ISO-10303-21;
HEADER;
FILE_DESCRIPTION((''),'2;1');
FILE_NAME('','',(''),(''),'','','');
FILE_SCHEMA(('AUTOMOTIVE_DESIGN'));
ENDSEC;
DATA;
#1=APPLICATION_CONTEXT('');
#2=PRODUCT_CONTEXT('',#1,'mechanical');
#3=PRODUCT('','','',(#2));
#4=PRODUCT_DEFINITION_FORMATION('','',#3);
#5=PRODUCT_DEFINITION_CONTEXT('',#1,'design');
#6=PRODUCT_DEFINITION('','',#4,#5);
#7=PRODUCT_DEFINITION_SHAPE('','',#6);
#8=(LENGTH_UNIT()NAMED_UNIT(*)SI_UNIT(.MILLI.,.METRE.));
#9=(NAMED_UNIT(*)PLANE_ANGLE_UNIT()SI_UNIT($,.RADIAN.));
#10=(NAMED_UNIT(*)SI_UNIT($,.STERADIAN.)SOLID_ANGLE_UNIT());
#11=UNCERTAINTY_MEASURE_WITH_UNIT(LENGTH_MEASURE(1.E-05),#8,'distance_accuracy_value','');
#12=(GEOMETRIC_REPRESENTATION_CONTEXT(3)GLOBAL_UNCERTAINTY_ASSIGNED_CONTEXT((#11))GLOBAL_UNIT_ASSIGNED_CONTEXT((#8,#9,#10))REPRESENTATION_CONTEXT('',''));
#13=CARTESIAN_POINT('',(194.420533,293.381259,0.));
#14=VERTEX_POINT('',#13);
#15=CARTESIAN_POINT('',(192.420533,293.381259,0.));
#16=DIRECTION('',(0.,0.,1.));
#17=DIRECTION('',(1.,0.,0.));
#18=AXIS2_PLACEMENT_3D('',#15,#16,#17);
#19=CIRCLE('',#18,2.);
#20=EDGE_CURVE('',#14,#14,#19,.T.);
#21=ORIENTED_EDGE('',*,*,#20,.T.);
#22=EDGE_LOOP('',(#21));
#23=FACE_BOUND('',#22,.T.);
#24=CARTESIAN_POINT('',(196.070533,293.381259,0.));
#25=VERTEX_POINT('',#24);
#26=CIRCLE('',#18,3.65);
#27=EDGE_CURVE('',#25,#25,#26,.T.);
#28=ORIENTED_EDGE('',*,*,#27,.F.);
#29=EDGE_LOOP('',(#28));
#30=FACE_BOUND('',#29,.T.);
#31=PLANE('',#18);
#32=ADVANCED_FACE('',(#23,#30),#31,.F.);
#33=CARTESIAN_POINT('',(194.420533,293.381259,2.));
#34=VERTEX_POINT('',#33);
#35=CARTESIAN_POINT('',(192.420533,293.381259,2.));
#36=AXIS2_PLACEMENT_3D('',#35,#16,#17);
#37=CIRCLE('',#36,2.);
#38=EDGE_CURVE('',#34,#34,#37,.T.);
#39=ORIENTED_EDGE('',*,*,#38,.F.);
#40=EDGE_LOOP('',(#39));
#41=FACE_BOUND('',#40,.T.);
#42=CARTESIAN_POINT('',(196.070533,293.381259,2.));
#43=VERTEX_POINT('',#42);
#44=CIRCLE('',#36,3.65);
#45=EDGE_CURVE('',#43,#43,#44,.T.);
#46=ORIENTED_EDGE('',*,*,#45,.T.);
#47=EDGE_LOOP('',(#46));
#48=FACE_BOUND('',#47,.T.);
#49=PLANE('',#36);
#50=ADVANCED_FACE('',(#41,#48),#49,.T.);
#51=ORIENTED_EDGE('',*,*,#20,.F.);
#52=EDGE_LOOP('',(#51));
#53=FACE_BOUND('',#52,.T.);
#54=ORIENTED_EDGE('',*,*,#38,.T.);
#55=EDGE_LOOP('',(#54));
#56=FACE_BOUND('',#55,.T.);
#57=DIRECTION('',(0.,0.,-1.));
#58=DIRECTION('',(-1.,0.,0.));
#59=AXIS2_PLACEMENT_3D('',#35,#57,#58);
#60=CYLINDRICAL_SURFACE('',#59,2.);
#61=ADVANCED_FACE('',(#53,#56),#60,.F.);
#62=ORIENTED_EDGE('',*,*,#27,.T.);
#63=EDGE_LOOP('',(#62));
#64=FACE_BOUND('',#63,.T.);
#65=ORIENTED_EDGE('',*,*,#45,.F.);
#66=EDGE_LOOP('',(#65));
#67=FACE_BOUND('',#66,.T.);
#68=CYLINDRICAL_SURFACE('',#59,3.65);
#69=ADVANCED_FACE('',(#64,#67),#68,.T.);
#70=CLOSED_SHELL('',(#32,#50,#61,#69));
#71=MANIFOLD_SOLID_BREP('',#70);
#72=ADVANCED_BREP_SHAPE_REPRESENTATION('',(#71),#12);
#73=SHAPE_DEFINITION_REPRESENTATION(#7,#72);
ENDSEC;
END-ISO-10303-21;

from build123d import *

# Parameters (mm, degrees)
SKETCH1_R           = 3.65
SKETCH1_R_2         = 2
BOSS_EXTRUDE1_DEPTH = 2


with BuildPart() as part:
    # Sketch1 → Boss-Extrude1 (new body)
    with BuildSketch(Plane(origin=(0, 34.703080777, 0), x_dir=(1, 0, 0), z_dir=(0, 0, 1))):
        with Locations((192.420533361, 258.678178666)):
            Circle(SKETCH1_R)
        with Locations((192.420533361, 258.678178666)):
            Circle(SKETCH1_R_2, mode=Mode.SUBTRACT)
    extrude(amount=BOSS_EXTRUDE1_DEPTH)


solid = part.part
